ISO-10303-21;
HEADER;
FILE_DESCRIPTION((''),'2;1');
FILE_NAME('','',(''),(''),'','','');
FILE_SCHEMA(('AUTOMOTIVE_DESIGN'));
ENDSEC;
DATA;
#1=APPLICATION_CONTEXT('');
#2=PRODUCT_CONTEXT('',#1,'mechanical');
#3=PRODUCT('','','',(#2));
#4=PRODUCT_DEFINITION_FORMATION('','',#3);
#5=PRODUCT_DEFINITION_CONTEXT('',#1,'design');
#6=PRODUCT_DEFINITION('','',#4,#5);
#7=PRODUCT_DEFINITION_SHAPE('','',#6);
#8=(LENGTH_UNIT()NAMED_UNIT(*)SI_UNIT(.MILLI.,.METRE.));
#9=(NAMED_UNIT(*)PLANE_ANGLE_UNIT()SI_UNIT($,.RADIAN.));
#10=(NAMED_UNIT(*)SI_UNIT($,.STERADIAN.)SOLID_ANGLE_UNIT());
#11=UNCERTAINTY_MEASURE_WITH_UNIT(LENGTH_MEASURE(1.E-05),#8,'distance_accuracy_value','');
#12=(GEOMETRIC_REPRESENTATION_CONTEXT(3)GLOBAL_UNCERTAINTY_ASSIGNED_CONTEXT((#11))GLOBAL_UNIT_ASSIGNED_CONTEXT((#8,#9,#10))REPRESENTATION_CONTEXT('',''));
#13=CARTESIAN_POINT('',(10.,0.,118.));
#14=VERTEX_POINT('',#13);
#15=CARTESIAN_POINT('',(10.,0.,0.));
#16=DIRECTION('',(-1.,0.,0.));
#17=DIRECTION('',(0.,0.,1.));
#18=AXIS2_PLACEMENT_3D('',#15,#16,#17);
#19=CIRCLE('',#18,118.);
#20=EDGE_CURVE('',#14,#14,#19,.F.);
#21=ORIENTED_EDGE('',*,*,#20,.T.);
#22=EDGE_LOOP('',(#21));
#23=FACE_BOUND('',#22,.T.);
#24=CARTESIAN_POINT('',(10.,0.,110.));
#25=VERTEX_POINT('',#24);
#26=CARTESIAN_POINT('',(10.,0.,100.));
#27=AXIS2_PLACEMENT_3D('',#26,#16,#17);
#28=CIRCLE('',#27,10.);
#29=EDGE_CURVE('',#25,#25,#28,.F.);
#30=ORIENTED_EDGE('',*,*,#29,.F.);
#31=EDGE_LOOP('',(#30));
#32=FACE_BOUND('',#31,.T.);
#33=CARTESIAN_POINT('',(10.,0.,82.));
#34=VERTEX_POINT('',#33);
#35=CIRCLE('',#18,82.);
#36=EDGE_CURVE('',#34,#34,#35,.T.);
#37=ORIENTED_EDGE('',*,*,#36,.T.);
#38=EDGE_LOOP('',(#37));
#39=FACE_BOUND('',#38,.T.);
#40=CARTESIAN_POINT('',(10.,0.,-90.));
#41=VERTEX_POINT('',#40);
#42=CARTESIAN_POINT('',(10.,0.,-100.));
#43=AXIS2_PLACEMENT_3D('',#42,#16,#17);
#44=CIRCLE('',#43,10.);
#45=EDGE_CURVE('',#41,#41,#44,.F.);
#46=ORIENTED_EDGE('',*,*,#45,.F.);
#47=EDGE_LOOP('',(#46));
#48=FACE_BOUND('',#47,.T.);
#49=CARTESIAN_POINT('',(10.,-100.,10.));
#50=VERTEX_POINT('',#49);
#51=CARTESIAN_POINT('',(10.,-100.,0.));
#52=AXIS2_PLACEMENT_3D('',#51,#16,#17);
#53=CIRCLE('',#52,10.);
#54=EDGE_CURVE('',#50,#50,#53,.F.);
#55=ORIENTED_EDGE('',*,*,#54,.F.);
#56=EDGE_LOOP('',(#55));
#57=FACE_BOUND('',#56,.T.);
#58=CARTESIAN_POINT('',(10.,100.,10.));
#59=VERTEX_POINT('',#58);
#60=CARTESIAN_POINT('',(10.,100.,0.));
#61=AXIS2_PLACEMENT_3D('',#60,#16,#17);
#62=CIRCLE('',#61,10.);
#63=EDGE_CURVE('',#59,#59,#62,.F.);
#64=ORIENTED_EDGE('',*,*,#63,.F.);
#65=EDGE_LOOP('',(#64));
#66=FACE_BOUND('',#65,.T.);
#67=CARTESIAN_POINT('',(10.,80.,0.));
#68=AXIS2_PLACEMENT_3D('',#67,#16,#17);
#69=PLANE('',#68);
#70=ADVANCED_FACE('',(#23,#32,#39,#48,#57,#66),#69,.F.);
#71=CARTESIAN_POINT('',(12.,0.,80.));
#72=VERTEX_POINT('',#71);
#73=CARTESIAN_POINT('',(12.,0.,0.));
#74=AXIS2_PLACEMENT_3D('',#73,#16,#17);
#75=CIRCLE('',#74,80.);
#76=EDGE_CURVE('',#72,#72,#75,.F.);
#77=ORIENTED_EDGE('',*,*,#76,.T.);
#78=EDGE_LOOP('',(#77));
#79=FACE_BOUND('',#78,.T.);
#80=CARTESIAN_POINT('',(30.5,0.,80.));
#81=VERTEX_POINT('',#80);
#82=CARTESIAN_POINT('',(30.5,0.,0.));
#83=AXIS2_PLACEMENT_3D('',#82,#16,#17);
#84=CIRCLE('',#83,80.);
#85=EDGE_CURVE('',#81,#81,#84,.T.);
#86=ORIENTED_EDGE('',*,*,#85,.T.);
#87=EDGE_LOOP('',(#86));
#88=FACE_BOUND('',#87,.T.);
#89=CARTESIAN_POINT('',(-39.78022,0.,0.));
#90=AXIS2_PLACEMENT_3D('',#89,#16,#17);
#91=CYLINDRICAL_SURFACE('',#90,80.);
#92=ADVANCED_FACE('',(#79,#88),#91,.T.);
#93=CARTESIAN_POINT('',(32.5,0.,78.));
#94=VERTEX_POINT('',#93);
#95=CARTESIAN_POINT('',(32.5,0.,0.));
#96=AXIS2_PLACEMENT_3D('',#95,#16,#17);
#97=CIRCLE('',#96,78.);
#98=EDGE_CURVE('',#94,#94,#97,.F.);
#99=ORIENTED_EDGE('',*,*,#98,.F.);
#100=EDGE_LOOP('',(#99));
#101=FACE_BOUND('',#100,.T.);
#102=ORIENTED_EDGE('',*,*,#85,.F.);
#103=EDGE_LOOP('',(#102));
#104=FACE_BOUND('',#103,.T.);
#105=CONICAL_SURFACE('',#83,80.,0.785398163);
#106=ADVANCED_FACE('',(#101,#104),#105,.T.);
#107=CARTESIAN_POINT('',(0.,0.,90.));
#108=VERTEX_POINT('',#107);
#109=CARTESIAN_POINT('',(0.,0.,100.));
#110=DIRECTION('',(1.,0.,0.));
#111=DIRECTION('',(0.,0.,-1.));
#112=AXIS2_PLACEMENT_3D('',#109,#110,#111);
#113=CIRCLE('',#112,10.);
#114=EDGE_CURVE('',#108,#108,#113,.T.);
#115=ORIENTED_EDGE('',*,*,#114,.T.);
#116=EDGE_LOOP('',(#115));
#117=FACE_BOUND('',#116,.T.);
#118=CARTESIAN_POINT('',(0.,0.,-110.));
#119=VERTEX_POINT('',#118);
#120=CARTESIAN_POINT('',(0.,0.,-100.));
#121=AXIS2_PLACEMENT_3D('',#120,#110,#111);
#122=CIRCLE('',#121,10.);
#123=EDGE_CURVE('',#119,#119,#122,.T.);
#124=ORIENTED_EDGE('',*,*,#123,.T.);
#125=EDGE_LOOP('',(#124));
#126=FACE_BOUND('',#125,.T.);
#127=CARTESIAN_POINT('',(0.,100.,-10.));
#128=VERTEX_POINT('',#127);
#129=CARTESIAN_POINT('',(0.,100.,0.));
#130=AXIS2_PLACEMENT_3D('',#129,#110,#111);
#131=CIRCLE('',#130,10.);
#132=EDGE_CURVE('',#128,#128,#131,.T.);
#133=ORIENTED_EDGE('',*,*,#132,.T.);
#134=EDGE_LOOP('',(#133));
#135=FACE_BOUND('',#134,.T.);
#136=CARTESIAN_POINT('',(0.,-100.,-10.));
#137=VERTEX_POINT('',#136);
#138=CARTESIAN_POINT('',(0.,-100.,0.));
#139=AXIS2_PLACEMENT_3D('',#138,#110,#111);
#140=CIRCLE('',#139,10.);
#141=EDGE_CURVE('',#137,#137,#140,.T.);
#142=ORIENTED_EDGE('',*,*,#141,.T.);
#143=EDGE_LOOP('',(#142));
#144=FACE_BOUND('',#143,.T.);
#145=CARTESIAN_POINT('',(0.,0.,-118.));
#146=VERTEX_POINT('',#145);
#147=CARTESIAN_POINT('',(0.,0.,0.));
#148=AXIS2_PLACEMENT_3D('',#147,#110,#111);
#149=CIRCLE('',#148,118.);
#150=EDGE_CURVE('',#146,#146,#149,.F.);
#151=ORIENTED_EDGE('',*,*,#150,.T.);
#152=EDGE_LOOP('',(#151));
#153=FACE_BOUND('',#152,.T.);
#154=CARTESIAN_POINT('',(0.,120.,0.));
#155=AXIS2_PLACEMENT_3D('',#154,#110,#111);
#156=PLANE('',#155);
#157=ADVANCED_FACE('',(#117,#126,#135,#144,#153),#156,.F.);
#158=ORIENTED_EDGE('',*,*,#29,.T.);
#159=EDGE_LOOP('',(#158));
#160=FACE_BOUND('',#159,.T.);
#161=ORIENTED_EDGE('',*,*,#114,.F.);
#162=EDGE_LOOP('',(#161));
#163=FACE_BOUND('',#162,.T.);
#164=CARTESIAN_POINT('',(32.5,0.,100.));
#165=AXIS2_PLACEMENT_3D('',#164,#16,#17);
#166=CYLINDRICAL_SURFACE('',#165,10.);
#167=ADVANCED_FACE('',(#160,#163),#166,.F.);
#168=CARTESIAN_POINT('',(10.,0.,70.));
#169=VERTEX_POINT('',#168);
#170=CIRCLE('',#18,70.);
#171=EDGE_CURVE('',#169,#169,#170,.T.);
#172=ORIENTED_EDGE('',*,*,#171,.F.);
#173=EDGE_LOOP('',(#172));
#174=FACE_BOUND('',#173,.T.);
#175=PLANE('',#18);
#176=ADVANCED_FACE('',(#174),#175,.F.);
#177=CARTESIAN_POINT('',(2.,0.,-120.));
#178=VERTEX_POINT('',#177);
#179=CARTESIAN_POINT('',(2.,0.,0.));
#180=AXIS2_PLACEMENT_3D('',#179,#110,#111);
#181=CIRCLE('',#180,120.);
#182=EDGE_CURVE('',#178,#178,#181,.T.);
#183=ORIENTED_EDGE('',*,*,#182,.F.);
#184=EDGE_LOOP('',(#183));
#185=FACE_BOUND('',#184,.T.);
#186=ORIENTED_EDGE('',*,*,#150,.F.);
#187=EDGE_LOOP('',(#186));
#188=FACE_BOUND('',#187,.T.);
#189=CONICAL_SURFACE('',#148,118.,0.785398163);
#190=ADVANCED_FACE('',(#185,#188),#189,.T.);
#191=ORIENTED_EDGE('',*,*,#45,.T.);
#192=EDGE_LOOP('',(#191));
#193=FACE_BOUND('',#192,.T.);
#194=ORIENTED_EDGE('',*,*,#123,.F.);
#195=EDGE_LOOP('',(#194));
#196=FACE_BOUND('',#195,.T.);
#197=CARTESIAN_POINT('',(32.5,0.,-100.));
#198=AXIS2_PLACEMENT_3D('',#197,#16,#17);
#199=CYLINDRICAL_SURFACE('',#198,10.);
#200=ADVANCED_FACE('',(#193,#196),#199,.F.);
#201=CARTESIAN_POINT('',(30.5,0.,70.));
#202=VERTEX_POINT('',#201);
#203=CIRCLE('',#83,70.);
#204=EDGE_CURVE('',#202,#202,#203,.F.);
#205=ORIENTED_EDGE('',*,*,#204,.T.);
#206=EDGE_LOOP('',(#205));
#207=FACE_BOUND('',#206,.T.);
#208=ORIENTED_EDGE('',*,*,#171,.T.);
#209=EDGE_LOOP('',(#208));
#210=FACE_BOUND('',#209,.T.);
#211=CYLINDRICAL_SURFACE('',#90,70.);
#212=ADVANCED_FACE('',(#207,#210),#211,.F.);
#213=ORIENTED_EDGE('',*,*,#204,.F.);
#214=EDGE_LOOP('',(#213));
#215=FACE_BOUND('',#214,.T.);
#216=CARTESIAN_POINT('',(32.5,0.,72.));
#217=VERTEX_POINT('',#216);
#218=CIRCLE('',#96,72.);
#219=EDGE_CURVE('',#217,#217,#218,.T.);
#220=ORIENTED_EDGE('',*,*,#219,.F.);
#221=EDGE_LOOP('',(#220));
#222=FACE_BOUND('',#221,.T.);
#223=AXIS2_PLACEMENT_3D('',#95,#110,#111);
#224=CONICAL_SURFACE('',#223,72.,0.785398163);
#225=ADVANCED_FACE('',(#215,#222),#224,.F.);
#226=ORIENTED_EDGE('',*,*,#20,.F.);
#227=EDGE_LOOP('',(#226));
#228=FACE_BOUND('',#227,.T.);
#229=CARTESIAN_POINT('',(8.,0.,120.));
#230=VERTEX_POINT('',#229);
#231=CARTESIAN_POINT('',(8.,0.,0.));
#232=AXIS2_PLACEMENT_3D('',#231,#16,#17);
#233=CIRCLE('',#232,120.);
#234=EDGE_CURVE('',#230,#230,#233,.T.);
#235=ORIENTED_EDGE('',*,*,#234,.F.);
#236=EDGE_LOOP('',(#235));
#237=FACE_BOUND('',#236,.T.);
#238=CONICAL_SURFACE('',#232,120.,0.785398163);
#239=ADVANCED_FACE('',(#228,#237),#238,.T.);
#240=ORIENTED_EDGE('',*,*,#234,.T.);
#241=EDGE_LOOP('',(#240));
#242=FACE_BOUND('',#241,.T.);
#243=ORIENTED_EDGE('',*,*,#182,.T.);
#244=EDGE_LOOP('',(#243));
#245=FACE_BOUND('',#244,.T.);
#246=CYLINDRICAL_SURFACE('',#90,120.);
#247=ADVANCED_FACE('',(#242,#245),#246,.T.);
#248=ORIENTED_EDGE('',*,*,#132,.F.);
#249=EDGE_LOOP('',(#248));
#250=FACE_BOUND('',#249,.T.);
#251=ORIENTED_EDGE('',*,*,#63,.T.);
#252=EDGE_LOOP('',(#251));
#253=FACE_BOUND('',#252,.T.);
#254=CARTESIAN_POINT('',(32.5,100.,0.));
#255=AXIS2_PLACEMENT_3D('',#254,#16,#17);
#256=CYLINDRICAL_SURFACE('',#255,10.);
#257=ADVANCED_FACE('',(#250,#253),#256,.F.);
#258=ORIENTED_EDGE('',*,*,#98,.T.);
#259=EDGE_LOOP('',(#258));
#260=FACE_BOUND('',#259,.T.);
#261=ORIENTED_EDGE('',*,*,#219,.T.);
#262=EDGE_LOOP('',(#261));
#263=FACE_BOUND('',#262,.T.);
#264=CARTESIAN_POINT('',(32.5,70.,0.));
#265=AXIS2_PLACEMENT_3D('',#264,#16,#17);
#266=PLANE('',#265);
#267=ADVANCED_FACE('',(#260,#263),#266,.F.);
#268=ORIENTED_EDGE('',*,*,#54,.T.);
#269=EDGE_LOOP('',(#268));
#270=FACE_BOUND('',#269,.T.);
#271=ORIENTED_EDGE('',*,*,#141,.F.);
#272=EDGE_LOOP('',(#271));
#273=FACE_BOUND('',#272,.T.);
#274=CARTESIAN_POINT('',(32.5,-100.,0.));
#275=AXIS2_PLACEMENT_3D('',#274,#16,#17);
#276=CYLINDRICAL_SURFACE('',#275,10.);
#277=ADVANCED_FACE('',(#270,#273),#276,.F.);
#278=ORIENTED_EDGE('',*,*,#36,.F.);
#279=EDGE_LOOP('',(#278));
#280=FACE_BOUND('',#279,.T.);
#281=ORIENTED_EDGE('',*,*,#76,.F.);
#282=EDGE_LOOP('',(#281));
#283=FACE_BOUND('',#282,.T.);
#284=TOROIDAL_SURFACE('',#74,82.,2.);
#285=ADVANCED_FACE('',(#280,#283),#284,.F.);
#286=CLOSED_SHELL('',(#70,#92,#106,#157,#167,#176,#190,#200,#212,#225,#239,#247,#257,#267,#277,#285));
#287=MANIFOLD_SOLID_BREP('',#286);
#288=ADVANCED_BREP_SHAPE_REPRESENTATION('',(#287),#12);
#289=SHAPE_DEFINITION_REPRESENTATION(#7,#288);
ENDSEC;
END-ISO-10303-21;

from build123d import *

# Parameters (mm, degrees)
CUT_EXTRUDE_3_DEPTH      = 173.789611956
CUT_EXTRUDE_3_DEPTH_BACK = 173.789611956
SKETCH_2_R               = 10
FILLET_1_R               = 2
CHAMFER_1_SIZE           = 2


with BuildPart() as part:
    # 草图1 → 旋转1 (revolve)
    with BuildSketch(Plane.XY, mode=Mode.PRIVATE) as revolve_1_sk:
        Polygon((0, 0), (10, 0), (10, 70), (32.5, 70), (32.5, 80), (10, 80), (10, 120), (0, 120), align=None)
    revolve(revolve_1_sk.sketch.rotate(Axis((-39.78021978, 0, 0), (1, 0, 0)), 90), axis=Axis((-39.78021978, 0, 0), (1, 0, 0)))

    # 草图2 → 切除-拉伸3 (cut, two sides: drawn at the far end of the back side and taken through both)
    with BuildSketch(Plane(origin=(0, 0, 0), x_dir=(0, 0, -1), z_dir=(1, 0, 0)).offset(-CUT_EXTRUDE_3_DEPTH_BACK)):
        with Locations(Location((100, 0, 0), (0, 0, 180))):
            Circle(SKETCH_2_R)
        with Locations(Location((0, -100, 0), (0, 0, 180))):
            Circle(SKETCH_2_R)
        with Locations(Location((-100, 0, 0), (0, 0, 180))):
            Circle(SKETCH_2_R)
        with Locations(Location((0, 100, 0), (0, 0, 180))):
            Circle(SKETCH_2_R)
    extrude(amount=CUT_EXTRUDE_3_DEPTH + CUT_EXTRUDE_3_DEPTH_BACK, mode=Mode.SUBTRACT)

    # 圆角1
    fillet_1_edges = [part.edges().sort_by_distance(p)[0] for p in [
        (10, 0, -80),
    ]]
    fillet(fillet_1_edges, radius=FILLET_1_R)

    # 倒角1
    chamfer_1_edges = [part.edges().sort_by_distance(p)[0] for p in [
        (0, 0, -120),
        (10, 0, -120),
        (32.5, 0, -80),
        (32.5, 0, -70),
    ]]
    chamfer(chamfer_1_edges, length=CHAMFER_1_SIZE)


solid = part.part
